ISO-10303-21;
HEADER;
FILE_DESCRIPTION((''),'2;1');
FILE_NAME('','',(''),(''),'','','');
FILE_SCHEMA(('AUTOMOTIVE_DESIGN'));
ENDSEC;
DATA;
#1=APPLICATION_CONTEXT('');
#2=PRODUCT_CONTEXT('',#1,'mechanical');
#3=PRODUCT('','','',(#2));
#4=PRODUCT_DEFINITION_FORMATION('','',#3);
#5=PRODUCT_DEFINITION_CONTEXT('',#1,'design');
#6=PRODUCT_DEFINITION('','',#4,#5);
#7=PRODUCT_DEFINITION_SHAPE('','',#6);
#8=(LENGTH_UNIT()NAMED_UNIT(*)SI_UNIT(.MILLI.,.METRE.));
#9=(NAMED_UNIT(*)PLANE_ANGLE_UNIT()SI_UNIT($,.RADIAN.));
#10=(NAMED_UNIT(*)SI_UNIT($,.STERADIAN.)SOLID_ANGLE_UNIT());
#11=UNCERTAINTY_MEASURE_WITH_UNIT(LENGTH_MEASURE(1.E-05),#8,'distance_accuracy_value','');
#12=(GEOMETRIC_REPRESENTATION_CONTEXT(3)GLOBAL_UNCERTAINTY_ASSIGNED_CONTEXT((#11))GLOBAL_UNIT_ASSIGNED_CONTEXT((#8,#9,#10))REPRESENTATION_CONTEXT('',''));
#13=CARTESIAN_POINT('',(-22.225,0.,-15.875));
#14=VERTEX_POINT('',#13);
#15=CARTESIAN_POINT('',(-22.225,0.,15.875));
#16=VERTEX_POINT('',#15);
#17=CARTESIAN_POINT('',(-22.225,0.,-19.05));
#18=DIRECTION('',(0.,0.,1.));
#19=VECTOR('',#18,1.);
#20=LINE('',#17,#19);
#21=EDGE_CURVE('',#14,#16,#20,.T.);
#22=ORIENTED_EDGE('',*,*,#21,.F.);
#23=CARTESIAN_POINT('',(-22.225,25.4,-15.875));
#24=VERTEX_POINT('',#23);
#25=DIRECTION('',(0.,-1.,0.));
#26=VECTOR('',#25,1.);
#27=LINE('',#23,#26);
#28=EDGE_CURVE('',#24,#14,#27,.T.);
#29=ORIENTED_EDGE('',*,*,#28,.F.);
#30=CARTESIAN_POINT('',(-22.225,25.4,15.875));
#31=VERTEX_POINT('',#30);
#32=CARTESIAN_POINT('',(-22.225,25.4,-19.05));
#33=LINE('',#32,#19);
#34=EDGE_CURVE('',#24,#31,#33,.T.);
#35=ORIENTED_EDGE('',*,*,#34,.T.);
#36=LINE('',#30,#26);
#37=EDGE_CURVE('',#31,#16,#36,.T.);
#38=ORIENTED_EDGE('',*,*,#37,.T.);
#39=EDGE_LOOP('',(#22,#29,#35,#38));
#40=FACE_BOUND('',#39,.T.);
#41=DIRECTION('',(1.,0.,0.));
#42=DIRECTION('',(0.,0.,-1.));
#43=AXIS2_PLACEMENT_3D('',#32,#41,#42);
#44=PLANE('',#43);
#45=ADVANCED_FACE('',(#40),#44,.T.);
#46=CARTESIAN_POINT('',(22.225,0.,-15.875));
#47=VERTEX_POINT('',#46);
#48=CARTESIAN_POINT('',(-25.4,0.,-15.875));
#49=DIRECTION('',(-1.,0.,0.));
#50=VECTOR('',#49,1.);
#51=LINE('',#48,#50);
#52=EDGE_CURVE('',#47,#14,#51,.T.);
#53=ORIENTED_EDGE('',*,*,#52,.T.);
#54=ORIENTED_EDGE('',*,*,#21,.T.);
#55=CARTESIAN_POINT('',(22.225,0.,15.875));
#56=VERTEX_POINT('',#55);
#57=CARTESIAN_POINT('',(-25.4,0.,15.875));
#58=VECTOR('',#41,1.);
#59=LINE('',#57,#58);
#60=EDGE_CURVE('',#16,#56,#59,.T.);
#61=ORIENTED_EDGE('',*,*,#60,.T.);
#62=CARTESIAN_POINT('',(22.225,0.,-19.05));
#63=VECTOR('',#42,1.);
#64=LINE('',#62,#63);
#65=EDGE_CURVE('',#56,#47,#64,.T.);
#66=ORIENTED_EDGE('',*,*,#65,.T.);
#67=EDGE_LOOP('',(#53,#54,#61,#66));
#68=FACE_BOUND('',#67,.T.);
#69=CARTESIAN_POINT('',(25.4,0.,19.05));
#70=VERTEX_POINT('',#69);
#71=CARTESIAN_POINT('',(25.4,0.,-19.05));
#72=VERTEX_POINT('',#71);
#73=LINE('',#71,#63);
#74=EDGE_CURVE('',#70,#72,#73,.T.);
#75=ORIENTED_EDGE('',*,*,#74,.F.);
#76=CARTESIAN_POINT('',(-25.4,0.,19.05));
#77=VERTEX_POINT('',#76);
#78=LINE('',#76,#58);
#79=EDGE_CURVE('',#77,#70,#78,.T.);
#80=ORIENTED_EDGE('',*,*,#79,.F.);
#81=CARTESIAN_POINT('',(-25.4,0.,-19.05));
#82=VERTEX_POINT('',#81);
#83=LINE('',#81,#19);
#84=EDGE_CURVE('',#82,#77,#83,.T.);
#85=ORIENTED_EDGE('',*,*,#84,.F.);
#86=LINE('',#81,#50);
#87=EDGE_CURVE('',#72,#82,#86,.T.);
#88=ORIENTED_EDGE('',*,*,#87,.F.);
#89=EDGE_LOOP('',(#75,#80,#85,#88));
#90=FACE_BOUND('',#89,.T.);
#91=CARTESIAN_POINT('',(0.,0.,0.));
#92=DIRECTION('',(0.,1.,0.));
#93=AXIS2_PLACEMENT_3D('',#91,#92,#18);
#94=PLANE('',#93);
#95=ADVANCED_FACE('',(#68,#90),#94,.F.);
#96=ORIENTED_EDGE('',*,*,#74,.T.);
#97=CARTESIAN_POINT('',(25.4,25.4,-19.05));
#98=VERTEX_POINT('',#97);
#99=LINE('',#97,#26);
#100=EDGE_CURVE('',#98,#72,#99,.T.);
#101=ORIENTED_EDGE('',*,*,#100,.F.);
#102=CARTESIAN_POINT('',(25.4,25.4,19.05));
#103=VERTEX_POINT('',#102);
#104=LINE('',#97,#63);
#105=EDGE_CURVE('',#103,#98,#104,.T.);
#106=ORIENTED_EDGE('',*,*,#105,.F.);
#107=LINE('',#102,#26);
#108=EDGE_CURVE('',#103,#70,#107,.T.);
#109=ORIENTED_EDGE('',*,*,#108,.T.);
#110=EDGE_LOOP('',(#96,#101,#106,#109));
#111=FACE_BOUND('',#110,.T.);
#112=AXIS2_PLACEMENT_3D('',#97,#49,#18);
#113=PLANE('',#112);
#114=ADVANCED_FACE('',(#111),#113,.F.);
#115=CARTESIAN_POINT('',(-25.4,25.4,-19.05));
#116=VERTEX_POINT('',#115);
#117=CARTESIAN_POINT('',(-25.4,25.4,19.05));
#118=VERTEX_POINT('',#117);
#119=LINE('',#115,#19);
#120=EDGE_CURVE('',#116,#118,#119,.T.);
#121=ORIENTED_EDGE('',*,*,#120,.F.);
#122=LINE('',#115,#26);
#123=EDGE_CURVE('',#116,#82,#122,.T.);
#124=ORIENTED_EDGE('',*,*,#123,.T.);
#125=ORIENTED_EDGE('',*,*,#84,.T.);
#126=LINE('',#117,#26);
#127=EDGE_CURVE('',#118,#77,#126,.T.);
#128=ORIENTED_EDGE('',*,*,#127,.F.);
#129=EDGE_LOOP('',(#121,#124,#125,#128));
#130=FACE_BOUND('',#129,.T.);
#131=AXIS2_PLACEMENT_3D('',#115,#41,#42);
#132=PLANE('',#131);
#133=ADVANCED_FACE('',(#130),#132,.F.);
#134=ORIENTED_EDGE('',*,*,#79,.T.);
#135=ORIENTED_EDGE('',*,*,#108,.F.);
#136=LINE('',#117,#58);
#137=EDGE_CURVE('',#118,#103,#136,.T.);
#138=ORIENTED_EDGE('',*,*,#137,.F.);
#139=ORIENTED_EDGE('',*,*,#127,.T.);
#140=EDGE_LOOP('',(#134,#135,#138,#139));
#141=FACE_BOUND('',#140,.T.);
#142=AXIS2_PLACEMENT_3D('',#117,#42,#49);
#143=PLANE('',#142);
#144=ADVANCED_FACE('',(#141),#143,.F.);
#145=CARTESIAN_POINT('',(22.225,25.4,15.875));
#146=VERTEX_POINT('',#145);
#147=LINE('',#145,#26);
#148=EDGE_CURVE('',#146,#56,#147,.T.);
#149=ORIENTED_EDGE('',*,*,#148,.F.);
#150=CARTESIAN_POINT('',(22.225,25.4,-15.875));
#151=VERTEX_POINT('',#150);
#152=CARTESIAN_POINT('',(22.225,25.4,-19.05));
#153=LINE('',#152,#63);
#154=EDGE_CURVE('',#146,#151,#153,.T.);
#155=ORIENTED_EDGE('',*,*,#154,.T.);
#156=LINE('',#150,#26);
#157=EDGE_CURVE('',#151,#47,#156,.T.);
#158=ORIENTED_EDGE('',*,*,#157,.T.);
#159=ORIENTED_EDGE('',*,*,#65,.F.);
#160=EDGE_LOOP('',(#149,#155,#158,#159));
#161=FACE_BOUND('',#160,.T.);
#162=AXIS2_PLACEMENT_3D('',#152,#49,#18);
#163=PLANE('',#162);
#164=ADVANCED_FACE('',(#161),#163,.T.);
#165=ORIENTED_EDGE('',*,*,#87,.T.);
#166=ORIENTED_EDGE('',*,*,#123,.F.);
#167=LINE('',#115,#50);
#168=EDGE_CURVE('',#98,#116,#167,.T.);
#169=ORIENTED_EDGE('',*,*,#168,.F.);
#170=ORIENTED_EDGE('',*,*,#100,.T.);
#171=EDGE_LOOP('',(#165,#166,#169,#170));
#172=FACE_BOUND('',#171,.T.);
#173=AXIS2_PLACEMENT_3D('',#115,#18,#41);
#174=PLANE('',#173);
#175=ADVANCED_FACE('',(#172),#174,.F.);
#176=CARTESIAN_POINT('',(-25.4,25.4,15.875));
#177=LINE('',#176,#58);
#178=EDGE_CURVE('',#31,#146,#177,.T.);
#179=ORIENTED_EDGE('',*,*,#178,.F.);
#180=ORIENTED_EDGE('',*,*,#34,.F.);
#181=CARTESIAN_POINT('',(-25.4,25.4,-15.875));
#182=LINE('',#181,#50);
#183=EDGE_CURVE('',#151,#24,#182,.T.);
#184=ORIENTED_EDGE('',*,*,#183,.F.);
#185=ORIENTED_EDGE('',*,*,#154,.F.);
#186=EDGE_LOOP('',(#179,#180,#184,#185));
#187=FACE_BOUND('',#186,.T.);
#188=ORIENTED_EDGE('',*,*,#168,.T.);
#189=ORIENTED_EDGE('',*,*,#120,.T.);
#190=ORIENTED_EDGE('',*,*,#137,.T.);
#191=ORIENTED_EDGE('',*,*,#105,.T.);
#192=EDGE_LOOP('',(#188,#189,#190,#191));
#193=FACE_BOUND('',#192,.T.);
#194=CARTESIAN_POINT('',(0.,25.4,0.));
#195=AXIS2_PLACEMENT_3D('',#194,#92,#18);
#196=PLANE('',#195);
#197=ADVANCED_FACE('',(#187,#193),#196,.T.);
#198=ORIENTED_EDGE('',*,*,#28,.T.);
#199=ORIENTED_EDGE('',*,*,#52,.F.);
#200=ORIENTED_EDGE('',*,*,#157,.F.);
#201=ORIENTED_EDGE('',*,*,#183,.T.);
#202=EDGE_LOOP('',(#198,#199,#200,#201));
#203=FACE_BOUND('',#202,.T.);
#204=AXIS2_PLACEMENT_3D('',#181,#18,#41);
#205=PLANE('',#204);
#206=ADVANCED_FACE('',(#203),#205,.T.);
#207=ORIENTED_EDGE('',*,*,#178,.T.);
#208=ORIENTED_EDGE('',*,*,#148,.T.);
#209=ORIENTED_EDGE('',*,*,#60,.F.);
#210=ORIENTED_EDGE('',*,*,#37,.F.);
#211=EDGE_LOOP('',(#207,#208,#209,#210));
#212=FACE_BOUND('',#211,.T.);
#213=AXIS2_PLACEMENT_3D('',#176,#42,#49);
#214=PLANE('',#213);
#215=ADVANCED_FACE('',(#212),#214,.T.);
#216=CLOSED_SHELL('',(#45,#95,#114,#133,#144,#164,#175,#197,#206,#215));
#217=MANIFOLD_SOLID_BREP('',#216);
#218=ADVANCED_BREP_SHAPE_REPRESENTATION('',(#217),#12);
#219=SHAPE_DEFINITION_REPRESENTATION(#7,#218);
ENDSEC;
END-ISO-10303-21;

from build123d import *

# Parameters (mm, degrees)
SKETCH1_W           = 50.8
SKETCH1_H           = 38.1
BOSS_EXTRUDE1_DEPTH = 25.4
SHELL1_T            = -3.175


with BuildPart() as part:
    # Sketch1 → Boss-Extrude1 (new body)
    with BuildSketch(Plane(origin=(0, 0, 0), x_dir=(1, 0, 0), z_dir=(0, 1, 0))):
        Rectangle(SKETCH1_W, SKETCH1_H)
    extrude(amount=BOSS_EXTRUDE1_DEPTH)

    # Shell1
    shell1_openings = [part.faces().sort_by_distance(p)[0] for p in [
        (0, 25.4, 0),
        (0, 0, 0),
    ]]
    offset(amount=SHELL1_T, openings=shell1_openings, kind=Kind.INTERSECTION)


solid = part.part
